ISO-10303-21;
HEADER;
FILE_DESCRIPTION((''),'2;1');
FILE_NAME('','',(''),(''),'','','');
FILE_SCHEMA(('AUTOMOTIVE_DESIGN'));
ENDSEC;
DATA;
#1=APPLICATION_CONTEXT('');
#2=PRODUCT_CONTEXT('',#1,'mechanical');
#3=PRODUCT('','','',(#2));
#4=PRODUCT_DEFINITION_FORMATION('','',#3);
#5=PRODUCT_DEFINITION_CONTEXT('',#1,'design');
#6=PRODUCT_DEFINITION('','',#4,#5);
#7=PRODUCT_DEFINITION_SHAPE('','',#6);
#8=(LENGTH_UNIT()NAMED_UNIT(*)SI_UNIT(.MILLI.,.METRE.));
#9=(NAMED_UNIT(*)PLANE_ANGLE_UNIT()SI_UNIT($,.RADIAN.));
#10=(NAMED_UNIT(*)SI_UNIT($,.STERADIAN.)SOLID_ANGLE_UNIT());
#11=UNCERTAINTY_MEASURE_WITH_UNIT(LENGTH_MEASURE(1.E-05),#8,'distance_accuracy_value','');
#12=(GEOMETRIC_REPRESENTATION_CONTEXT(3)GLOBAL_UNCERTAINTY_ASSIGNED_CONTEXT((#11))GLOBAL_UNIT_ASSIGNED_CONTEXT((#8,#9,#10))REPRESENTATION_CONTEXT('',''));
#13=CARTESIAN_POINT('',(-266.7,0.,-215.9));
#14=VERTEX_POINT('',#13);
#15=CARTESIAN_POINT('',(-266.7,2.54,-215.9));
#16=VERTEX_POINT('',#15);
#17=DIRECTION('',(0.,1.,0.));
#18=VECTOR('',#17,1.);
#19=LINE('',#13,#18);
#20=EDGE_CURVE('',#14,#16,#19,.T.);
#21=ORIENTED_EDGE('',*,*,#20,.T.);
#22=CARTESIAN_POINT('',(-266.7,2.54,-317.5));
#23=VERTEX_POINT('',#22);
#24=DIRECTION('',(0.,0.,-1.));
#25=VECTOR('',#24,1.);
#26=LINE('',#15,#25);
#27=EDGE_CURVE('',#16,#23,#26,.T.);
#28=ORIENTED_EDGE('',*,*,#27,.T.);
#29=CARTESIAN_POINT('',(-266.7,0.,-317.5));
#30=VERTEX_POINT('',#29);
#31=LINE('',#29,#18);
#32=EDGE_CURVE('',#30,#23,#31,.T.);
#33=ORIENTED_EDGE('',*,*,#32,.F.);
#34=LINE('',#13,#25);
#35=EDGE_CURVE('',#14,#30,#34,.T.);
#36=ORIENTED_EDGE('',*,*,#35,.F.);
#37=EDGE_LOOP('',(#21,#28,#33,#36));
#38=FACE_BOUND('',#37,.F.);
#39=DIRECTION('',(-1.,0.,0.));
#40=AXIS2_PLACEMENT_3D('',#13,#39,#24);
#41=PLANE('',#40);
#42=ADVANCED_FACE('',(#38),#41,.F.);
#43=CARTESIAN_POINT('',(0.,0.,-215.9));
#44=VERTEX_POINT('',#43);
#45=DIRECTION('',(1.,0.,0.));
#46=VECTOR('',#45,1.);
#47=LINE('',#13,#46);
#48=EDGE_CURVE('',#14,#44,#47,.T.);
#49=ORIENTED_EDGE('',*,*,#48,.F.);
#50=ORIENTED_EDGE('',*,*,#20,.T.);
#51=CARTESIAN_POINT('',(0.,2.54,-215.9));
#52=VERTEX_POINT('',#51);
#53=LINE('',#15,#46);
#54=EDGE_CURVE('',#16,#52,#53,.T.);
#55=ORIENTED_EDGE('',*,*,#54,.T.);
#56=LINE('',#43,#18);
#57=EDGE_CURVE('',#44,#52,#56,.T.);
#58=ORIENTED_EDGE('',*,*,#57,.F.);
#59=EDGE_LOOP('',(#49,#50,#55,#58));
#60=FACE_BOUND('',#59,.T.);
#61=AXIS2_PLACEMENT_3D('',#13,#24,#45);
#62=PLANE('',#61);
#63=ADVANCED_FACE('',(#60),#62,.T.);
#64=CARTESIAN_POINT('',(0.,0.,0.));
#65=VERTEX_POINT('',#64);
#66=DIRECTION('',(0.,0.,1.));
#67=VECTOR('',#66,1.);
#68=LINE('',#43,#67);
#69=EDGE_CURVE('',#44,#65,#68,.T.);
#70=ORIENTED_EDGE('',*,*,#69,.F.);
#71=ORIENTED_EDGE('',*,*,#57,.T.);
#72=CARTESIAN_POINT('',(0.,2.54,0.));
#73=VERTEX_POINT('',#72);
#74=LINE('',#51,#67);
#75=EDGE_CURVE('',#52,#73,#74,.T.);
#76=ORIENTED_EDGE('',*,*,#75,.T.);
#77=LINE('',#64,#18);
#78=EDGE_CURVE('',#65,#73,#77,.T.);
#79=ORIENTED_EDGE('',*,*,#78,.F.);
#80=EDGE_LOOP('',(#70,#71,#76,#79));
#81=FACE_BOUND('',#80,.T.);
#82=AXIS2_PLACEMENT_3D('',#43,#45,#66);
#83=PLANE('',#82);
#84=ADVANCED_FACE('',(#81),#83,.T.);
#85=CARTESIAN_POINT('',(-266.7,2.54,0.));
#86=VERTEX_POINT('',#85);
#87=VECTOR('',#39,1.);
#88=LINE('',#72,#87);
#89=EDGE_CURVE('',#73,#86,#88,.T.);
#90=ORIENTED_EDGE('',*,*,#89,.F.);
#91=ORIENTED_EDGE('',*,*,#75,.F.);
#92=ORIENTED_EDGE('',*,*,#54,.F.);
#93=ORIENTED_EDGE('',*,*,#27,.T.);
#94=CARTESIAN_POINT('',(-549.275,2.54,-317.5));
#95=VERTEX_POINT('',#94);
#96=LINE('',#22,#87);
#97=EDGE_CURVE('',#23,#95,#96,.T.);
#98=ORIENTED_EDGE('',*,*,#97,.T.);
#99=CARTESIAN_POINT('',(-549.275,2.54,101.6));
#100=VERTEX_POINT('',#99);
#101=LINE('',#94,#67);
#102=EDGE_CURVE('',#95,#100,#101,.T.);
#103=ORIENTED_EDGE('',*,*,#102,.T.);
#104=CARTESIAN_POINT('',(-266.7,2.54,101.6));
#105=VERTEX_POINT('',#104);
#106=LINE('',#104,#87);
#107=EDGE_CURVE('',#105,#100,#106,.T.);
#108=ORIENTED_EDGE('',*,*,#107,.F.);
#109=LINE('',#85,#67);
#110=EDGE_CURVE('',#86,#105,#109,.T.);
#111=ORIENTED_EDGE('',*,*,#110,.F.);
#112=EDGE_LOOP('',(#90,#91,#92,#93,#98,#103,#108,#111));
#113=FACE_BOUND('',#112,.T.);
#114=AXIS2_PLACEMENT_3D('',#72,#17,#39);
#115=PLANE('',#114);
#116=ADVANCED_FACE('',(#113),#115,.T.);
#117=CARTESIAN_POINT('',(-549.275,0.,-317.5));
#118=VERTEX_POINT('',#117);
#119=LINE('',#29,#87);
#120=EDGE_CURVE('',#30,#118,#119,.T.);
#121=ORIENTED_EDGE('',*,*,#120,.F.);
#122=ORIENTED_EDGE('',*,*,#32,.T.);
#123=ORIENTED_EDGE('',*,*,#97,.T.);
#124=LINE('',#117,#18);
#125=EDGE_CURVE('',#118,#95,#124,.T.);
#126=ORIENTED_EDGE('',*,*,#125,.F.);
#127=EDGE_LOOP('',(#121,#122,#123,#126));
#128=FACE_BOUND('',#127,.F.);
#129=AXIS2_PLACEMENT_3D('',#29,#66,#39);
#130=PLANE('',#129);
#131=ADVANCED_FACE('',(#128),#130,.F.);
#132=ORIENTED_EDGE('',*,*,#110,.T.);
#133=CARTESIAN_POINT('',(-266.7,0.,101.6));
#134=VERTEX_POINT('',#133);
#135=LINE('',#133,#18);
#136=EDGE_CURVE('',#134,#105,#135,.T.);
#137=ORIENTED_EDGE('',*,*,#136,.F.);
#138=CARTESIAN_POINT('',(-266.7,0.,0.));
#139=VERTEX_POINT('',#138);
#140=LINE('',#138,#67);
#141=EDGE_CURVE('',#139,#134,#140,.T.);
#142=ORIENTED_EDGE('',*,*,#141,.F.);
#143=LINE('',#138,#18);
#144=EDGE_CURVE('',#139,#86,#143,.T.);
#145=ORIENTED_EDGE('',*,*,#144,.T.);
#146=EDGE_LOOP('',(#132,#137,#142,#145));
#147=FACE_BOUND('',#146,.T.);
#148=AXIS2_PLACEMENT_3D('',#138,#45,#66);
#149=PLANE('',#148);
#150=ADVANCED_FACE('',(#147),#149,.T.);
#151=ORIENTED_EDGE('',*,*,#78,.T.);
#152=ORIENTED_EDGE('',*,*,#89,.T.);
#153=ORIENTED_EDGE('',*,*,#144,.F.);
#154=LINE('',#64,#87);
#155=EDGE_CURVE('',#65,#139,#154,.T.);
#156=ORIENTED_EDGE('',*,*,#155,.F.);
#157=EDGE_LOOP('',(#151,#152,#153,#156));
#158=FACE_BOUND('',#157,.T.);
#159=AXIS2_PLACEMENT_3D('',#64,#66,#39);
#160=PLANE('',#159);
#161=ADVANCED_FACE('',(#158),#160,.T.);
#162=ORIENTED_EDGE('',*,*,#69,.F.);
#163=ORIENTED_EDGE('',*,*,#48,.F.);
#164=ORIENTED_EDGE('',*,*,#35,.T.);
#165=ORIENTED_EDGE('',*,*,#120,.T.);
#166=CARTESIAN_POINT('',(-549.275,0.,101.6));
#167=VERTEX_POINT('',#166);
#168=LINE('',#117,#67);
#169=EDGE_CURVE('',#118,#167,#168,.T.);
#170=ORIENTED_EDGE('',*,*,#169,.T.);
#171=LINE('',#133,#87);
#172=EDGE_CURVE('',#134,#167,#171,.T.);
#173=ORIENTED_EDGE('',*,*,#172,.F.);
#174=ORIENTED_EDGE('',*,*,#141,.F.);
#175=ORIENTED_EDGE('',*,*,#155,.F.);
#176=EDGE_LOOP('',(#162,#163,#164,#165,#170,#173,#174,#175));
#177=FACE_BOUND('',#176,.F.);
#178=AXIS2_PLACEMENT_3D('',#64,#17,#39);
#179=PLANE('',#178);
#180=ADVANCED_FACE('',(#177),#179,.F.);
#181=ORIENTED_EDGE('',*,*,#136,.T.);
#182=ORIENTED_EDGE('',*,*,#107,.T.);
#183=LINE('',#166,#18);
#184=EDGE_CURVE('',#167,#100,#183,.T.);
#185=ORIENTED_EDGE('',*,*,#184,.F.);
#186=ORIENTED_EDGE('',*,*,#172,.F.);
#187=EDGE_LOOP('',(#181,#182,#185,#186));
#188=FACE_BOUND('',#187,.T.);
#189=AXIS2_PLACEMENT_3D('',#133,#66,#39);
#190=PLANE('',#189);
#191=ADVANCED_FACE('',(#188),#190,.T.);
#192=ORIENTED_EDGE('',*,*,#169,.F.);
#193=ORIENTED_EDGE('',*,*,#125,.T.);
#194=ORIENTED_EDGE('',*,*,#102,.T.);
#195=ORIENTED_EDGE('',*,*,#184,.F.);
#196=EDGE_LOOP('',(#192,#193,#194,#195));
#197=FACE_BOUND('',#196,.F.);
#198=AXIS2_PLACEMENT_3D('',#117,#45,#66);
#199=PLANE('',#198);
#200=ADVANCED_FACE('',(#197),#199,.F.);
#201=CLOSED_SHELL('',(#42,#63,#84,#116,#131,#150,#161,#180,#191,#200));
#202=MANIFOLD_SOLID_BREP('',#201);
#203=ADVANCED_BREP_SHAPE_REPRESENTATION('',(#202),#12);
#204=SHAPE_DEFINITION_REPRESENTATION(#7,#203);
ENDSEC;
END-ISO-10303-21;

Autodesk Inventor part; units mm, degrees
ref_plane "YZ Plane" through (0, 0, 0) normal (1, 0, 0) x (0, 1, 0)
ref_plane "XZ Plane" through (0, 0, 0) normal (0, 1, 0) x (-1, 0, 0)
ref_plane "XY Plane" through (0, 0, 0) normal (0, 0, 1) x (1, 0, 0)
sketch "Sketch1" plane through (0, 0, 0) normal (0, 1, 0) x (-1, 0, 0)
  line L0 (0, 0) -> (266.7, 0)
  line L1 (266.7, -215.9) -> (0, -215.9)
  line L2 (0, -215.9) -> (0, 0)
  line L3 (266.7, 0) -> (266.7, 101.6)
  line L4 (266.7, 101.6) -> (549.275, 101.6)
  line L5 (266.7, -215.9) -> (266.7, -317.5)
  line L6 (266.7, -317.5) -> (549.275, -317.5)
  line L7 (549.275, -317.5) -> (549.275, 101.6)
  dimension "d0" = 266.7
  dimension "d2" = 101.6
  dimension "d3" = 282.575
  dimension "d4" = 101.6
  dimension "d5" = 282.575
  dimension "d6" = 215.9
extrude "Extrusion1" add sketch "Sketch1" along normal blind 2.54
properties part number "lexan" material "PET Plastic"
